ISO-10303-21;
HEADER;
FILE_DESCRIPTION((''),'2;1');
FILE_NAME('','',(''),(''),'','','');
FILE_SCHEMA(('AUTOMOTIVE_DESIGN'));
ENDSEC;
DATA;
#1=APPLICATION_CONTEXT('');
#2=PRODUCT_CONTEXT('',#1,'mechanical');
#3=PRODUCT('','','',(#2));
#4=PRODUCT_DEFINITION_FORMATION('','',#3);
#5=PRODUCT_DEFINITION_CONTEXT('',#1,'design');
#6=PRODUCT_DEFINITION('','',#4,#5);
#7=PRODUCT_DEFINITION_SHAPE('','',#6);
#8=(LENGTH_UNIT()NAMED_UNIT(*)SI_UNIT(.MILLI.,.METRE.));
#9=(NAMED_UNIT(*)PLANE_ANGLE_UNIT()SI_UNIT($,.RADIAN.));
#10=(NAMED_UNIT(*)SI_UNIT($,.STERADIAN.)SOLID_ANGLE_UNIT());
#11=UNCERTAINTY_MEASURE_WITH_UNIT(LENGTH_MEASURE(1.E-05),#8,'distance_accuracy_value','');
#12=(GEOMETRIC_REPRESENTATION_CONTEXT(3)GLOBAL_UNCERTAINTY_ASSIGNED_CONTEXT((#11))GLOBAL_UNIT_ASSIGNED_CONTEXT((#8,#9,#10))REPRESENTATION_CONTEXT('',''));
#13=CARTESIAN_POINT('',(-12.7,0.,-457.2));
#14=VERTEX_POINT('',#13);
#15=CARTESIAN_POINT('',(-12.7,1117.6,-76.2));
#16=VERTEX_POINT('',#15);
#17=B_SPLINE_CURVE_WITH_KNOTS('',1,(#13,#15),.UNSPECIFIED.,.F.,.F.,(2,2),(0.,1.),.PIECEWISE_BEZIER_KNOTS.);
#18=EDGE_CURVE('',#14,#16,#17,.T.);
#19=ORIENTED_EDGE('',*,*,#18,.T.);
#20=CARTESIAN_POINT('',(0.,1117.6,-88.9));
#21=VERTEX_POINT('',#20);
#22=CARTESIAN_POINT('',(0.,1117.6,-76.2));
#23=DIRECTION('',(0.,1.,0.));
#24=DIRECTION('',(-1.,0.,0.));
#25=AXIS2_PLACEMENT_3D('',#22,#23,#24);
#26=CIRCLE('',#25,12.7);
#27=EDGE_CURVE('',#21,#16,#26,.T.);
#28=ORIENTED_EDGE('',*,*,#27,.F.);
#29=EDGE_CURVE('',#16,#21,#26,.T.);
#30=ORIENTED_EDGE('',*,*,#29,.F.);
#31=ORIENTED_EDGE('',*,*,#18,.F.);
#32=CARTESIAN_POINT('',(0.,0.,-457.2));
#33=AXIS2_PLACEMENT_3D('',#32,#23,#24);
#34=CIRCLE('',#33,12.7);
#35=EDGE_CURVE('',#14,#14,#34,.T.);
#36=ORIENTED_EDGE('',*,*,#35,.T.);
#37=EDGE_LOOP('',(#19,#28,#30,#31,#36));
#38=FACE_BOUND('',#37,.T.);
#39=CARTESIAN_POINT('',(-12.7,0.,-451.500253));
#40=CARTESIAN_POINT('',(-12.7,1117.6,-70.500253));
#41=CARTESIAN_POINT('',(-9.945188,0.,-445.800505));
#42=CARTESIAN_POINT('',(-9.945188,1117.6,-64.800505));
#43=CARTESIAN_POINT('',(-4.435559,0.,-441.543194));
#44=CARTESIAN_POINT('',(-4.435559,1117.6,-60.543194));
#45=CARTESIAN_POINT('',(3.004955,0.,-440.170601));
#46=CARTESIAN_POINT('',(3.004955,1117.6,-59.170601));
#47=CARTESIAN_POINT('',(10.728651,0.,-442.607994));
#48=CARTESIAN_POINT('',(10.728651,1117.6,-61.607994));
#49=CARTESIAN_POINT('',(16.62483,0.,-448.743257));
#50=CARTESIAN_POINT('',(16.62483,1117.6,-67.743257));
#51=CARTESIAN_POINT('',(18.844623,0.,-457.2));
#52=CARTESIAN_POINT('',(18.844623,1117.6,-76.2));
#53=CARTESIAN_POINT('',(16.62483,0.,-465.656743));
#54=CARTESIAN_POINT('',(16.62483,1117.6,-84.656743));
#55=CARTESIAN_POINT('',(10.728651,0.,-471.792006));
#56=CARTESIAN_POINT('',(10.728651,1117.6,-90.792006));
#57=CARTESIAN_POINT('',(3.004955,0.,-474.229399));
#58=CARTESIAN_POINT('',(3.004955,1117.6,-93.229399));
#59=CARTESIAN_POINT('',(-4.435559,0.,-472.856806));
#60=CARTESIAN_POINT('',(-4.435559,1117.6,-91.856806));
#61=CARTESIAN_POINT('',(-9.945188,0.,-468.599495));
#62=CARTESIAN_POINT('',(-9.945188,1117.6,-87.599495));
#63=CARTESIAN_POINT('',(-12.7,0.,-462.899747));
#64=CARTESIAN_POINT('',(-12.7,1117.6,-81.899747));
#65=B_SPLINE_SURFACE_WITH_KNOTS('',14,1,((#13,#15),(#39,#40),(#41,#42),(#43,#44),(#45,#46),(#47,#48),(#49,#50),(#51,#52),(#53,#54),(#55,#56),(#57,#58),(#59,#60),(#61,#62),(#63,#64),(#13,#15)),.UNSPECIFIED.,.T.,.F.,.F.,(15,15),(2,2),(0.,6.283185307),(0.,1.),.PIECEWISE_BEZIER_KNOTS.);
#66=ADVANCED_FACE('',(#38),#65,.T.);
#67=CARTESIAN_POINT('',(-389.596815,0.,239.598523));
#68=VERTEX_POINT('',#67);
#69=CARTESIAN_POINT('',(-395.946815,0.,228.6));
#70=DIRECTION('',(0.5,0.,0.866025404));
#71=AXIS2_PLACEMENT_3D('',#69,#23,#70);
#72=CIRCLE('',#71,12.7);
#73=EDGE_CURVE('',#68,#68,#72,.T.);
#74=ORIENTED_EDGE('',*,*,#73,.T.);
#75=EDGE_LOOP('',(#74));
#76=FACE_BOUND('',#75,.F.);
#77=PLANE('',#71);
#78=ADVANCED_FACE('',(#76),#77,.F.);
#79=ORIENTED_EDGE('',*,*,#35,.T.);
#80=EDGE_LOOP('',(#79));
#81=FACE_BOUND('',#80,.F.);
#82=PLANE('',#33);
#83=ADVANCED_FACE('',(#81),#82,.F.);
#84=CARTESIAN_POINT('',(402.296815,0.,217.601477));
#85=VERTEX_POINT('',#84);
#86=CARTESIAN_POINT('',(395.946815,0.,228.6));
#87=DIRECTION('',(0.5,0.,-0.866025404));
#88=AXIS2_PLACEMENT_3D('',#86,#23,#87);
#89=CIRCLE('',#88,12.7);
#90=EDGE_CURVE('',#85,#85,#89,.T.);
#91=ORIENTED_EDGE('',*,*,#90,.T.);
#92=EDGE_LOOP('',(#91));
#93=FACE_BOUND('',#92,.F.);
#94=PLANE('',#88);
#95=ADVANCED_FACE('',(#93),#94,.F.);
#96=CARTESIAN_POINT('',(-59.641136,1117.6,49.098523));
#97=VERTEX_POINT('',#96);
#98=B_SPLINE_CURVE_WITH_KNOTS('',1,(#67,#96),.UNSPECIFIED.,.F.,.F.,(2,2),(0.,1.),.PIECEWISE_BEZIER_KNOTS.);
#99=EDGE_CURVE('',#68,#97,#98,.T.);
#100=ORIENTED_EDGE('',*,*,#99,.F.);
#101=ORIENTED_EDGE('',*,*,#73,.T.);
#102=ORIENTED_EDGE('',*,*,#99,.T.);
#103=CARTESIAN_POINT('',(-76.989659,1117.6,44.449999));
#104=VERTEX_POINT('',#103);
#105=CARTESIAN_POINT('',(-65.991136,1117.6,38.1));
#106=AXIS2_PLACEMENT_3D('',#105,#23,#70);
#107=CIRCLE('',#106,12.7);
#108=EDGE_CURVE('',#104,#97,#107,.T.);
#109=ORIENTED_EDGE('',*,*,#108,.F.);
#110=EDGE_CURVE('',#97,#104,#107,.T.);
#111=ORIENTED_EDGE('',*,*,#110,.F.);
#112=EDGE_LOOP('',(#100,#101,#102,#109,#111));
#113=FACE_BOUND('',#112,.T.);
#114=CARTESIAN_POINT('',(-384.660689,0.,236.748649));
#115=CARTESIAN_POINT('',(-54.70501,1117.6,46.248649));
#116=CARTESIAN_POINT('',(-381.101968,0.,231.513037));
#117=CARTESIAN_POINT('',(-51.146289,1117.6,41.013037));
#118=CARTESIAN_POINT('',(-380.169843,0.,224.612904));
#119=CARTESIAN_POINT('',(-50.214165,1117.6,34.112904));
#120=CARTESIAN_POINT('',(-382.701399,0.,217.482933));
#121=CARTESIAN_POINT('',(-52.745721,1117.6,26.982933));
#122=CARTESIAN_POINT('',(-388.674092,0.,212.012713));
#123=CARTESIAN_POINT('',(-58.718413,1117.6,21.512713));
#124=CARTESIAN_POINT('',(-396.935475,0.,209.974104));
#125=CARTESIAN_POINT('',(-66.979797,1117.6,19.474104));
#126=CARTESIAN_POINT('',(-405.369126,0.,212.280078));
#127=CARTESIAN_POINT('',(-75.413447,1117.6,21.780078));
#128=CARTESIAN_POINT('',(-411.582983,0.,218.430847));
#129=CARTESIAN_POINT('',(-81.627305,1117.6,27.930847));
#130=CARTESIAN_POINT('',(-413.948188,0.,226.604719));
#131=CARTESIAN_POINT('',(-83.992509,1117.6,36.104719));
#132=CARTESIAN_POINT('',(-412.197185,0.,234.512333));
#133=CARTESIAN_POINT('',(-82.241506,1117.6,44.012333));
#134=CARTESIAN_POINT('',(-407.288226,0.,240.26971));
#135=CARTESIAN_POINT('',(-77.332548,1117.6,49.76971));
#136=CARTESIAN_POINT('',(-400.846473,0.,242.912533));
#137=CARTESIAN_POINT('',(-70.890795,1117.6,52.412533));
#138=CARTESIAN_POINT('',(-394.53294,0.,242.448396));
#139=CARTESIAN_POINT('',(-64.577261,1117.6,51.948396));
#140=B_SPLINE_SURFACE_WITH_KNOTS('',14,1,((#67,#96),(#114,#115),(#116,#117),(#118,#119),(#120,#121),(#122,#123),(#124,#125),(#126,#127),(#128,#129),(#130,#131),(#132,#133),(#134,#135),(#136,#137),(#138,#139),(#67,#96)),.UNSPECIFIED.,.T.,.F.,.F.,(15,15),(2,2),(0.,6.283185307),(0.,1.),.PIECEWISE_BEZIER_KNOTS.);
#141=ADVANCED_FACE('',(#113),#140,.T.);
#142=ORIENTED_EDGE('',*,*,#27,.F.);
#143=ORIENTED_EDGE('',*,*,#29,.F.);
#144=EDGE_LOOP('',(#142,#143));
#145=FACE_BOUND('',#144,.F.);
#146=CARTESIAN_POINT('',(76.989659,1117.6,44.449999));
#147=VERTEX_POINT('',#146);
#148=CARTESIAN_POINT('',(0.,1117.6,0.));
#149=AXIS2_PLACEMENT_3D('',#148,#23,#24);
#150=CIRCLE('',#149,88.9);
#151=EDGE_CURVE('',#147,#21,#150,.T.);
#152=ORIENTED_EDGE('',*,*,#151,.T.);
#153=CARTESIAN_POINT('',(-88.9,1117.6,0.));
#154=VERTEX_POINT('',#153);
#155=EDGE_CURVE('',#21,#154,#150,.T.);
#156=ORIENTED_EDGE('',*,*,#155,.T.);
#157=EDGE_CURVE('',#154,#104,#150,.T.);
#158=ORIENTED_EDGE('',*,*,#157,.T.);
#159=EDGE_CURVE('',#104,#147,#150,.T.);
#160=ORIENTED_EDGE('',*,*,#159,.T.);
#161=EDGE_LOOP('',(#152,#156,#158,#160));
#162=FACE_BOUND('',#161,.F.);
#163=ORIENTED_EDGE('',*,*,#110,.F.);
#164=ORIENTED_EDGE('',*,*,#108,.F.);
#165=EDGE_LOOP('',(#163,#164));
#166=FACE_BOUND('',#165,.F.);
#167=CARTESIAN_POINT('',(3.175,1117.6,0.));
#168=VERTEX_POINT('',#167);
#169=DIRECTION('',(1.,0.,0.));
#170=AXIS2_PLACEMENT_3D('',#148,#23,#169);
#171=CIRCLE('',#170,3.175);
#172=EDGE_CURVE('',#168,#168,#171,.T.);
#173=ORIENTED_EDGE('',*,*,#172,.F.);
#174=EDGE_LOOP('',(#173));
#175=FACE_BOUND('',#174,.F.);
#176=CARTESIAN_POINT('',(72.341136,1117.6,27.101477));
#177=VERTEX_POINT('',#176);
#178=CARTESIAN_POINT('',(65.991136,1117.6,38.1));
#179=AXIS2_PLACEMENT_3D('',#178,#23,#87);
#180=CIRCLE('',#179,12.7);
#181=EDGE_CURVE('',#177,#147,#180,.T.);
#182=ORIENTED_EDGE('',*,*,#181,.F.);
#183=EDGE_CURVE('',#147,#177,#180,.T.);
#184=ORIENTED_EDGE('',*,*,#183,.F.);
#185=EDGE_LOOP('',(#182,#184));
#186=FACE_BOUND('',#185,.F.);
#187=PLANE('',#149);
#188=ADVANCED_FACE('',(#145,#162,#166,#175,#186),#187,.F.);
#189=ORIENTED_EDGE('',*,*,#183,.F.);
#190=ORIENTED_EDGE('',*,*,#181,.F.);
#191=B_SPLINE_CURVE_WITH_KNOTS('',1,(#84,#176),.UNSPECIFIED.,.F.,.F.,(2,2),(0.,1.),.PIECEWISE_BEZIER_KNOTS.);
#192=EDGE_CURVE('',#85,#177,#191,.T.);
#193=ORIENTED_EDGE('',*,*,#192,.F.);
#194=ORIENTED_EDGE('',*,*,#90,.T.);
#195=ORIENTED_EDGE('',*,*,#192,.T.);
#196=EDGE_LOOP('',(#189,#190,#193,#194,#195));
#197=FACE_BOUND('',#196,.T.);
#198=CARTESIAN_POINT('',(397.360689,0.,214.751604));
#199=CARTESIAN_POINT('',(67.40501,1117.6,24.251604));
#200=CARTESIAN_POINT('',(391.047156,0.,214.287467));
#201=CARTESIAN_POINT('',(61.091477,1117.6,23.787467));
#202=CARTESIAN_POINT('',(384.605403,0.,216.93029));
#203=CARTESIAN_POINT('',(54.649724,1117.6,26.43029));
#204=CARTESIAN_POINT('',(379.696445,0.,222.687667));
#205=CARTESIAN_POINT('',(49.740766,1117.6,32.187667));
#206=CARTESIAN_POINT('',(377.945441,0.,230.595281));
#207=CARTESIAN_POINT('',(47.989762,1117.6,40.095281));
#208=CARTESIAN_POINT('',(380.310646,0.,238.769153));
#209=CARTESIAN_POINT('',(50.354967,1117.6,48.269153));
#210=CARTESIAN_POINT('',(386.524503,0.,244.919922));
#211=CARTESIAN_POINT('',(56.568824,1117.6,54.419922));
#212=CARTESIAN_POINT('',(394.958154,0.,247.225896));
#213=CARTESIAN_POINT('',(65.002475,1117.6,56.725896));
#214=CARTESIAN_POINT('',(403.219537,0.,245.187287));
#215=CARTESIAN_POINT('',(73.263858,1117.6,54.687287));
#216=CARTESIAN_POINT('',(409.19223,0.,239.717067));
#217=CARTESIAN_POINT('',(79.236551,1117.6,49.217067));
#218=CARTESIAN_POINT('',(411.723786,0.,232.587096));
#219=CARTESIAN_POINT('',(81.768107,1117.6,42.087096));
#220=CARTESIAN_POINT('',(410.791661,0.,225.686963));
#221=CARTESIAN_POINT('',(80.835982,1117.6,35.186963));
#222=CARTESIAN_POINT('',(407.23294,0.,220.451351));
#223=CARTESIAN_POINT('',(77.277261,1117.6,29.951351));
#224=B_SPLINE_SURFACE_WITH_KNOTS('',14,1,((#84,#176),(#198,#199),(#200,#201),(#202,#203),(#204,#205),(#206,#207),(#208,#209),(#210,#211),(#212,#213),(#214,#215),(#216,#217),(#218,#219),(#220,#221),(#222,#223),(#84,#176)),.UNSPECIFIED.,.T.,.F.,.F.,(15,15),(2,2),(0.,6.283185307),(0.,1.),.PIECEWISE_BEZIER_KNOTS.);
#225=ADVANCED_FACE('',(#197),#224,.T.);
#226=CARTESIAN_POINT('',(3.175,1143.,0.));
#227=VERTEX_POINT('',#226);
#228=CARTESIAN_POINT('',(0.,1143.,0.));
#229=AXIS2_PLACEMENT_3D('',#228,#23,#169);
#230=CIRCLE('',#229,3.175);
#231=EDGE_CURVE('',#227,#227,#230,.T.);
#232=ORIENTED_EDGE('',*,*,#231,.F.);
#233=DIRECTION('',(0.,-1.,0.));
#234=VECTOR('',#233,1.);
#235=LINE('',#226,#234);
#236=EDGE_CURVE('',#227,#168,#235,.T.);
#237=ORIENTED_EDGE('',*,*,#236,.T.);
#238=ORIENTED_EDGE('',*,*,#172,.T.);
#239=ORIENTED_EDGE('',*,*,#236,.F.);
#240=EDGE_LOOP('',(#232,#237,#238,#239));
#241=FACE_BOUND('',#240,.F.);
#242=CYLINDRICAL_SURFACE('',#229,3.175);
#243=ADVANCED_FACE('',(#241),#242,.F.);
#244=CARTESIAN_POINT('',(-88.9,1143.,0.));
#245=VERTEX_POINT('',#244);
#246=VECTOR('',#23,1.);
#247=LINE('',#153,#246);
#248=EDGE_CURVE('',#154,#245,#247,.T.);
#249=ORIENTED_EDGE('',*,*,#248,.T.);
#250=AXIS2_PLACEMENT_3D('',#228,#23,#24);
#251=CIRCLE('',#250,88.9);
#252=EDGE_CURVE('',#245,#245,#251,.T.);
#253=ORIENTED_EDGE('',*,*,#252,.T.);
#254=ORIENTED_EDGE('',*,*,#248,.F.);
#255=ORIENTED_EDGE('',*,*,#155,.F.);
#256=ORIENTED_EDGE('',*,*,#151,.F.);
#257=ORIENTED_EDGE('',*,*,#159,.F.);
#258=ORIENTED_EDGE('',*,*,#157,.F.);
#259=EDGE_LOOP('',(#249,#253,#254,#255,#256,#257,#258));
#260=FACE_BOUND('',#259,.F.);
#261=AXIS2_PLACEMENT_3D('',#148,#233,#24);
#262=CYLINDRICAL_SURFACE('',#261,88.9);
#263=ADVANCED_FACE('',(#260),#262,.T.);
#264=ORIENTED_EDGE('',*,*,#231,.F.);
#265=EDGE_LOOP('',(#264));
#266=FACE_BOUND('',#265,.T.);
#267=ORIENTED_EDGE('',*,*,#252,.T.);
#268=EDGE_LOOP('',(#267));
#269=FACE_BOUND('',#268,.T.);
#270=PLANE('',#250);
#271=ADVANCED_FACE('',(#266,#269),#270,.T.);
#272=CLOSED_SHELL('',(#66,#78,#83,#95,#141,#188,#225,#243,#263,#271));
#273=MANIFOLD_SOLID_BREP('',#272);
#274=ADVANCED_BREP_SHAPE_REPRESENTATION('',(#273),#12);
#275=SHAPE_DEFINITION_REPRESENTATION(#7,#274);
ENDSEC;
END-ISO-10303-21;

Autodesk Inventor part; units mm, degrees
ref_plane "YZ Plane" through (0, 0, 0) normal (1, 0, 0) x (0, 1, 0)
ref_plane "XY Plane" through (0, 0, 0) normal (0, 0, 1) x (1, 0, 0)
sketch "Sketch3" plane through (0, 0, 0) normal (0, 1, 0) x (-1, 0, 0)
  circle A0 centre (0, -457.2) radius 12.7
  point P0 (0, 0)
  dimension "d16" = 25.4
  dimension "d17" = 457.2
ref_plane "Work Plane3" through (0, 1117.6, 0) normal (0, 1, 0) x (-1, 0, 0)
sketch "Sketch4" plane through (0, 1117.6, 0) normal (0, 1, 0) x (-1, 0, 0)
  circle A0 centre (0, -76.2) radius 12.7
  point P0 (0, 0)
  dimension "d19" = 76.2
  dimension "d20" = 25.4
loft "Loft2" add profiles "Sketch3", "Sketch4"
pattern_circular "Circular Pattern1" count 3 over 360 about axis through (0, -10, 0) along (0, 1, 0) of "Loft2"
sketch "Sketch5" plane through (0, 1117.6, 0) normal (0, 1, 0) x (-1, 0, 0)
  circle A0 centre (0, 0) radius 88.9
  dimension "d28" = 177.8
extrude "Extrusion1" add sketch "Sketch5" along normal blind 25.4
sketch "Sketch6" plane through (0, 1143, 0) normal (0, 1, 0) x (1, 0, 0)
  circle A0 centre (0, 0) radius 3.175
  dimension "d31" = 6.35
extrude "Extrusion2" cut sketch "Sketch6" against normal through all
properties part number "tripod"
